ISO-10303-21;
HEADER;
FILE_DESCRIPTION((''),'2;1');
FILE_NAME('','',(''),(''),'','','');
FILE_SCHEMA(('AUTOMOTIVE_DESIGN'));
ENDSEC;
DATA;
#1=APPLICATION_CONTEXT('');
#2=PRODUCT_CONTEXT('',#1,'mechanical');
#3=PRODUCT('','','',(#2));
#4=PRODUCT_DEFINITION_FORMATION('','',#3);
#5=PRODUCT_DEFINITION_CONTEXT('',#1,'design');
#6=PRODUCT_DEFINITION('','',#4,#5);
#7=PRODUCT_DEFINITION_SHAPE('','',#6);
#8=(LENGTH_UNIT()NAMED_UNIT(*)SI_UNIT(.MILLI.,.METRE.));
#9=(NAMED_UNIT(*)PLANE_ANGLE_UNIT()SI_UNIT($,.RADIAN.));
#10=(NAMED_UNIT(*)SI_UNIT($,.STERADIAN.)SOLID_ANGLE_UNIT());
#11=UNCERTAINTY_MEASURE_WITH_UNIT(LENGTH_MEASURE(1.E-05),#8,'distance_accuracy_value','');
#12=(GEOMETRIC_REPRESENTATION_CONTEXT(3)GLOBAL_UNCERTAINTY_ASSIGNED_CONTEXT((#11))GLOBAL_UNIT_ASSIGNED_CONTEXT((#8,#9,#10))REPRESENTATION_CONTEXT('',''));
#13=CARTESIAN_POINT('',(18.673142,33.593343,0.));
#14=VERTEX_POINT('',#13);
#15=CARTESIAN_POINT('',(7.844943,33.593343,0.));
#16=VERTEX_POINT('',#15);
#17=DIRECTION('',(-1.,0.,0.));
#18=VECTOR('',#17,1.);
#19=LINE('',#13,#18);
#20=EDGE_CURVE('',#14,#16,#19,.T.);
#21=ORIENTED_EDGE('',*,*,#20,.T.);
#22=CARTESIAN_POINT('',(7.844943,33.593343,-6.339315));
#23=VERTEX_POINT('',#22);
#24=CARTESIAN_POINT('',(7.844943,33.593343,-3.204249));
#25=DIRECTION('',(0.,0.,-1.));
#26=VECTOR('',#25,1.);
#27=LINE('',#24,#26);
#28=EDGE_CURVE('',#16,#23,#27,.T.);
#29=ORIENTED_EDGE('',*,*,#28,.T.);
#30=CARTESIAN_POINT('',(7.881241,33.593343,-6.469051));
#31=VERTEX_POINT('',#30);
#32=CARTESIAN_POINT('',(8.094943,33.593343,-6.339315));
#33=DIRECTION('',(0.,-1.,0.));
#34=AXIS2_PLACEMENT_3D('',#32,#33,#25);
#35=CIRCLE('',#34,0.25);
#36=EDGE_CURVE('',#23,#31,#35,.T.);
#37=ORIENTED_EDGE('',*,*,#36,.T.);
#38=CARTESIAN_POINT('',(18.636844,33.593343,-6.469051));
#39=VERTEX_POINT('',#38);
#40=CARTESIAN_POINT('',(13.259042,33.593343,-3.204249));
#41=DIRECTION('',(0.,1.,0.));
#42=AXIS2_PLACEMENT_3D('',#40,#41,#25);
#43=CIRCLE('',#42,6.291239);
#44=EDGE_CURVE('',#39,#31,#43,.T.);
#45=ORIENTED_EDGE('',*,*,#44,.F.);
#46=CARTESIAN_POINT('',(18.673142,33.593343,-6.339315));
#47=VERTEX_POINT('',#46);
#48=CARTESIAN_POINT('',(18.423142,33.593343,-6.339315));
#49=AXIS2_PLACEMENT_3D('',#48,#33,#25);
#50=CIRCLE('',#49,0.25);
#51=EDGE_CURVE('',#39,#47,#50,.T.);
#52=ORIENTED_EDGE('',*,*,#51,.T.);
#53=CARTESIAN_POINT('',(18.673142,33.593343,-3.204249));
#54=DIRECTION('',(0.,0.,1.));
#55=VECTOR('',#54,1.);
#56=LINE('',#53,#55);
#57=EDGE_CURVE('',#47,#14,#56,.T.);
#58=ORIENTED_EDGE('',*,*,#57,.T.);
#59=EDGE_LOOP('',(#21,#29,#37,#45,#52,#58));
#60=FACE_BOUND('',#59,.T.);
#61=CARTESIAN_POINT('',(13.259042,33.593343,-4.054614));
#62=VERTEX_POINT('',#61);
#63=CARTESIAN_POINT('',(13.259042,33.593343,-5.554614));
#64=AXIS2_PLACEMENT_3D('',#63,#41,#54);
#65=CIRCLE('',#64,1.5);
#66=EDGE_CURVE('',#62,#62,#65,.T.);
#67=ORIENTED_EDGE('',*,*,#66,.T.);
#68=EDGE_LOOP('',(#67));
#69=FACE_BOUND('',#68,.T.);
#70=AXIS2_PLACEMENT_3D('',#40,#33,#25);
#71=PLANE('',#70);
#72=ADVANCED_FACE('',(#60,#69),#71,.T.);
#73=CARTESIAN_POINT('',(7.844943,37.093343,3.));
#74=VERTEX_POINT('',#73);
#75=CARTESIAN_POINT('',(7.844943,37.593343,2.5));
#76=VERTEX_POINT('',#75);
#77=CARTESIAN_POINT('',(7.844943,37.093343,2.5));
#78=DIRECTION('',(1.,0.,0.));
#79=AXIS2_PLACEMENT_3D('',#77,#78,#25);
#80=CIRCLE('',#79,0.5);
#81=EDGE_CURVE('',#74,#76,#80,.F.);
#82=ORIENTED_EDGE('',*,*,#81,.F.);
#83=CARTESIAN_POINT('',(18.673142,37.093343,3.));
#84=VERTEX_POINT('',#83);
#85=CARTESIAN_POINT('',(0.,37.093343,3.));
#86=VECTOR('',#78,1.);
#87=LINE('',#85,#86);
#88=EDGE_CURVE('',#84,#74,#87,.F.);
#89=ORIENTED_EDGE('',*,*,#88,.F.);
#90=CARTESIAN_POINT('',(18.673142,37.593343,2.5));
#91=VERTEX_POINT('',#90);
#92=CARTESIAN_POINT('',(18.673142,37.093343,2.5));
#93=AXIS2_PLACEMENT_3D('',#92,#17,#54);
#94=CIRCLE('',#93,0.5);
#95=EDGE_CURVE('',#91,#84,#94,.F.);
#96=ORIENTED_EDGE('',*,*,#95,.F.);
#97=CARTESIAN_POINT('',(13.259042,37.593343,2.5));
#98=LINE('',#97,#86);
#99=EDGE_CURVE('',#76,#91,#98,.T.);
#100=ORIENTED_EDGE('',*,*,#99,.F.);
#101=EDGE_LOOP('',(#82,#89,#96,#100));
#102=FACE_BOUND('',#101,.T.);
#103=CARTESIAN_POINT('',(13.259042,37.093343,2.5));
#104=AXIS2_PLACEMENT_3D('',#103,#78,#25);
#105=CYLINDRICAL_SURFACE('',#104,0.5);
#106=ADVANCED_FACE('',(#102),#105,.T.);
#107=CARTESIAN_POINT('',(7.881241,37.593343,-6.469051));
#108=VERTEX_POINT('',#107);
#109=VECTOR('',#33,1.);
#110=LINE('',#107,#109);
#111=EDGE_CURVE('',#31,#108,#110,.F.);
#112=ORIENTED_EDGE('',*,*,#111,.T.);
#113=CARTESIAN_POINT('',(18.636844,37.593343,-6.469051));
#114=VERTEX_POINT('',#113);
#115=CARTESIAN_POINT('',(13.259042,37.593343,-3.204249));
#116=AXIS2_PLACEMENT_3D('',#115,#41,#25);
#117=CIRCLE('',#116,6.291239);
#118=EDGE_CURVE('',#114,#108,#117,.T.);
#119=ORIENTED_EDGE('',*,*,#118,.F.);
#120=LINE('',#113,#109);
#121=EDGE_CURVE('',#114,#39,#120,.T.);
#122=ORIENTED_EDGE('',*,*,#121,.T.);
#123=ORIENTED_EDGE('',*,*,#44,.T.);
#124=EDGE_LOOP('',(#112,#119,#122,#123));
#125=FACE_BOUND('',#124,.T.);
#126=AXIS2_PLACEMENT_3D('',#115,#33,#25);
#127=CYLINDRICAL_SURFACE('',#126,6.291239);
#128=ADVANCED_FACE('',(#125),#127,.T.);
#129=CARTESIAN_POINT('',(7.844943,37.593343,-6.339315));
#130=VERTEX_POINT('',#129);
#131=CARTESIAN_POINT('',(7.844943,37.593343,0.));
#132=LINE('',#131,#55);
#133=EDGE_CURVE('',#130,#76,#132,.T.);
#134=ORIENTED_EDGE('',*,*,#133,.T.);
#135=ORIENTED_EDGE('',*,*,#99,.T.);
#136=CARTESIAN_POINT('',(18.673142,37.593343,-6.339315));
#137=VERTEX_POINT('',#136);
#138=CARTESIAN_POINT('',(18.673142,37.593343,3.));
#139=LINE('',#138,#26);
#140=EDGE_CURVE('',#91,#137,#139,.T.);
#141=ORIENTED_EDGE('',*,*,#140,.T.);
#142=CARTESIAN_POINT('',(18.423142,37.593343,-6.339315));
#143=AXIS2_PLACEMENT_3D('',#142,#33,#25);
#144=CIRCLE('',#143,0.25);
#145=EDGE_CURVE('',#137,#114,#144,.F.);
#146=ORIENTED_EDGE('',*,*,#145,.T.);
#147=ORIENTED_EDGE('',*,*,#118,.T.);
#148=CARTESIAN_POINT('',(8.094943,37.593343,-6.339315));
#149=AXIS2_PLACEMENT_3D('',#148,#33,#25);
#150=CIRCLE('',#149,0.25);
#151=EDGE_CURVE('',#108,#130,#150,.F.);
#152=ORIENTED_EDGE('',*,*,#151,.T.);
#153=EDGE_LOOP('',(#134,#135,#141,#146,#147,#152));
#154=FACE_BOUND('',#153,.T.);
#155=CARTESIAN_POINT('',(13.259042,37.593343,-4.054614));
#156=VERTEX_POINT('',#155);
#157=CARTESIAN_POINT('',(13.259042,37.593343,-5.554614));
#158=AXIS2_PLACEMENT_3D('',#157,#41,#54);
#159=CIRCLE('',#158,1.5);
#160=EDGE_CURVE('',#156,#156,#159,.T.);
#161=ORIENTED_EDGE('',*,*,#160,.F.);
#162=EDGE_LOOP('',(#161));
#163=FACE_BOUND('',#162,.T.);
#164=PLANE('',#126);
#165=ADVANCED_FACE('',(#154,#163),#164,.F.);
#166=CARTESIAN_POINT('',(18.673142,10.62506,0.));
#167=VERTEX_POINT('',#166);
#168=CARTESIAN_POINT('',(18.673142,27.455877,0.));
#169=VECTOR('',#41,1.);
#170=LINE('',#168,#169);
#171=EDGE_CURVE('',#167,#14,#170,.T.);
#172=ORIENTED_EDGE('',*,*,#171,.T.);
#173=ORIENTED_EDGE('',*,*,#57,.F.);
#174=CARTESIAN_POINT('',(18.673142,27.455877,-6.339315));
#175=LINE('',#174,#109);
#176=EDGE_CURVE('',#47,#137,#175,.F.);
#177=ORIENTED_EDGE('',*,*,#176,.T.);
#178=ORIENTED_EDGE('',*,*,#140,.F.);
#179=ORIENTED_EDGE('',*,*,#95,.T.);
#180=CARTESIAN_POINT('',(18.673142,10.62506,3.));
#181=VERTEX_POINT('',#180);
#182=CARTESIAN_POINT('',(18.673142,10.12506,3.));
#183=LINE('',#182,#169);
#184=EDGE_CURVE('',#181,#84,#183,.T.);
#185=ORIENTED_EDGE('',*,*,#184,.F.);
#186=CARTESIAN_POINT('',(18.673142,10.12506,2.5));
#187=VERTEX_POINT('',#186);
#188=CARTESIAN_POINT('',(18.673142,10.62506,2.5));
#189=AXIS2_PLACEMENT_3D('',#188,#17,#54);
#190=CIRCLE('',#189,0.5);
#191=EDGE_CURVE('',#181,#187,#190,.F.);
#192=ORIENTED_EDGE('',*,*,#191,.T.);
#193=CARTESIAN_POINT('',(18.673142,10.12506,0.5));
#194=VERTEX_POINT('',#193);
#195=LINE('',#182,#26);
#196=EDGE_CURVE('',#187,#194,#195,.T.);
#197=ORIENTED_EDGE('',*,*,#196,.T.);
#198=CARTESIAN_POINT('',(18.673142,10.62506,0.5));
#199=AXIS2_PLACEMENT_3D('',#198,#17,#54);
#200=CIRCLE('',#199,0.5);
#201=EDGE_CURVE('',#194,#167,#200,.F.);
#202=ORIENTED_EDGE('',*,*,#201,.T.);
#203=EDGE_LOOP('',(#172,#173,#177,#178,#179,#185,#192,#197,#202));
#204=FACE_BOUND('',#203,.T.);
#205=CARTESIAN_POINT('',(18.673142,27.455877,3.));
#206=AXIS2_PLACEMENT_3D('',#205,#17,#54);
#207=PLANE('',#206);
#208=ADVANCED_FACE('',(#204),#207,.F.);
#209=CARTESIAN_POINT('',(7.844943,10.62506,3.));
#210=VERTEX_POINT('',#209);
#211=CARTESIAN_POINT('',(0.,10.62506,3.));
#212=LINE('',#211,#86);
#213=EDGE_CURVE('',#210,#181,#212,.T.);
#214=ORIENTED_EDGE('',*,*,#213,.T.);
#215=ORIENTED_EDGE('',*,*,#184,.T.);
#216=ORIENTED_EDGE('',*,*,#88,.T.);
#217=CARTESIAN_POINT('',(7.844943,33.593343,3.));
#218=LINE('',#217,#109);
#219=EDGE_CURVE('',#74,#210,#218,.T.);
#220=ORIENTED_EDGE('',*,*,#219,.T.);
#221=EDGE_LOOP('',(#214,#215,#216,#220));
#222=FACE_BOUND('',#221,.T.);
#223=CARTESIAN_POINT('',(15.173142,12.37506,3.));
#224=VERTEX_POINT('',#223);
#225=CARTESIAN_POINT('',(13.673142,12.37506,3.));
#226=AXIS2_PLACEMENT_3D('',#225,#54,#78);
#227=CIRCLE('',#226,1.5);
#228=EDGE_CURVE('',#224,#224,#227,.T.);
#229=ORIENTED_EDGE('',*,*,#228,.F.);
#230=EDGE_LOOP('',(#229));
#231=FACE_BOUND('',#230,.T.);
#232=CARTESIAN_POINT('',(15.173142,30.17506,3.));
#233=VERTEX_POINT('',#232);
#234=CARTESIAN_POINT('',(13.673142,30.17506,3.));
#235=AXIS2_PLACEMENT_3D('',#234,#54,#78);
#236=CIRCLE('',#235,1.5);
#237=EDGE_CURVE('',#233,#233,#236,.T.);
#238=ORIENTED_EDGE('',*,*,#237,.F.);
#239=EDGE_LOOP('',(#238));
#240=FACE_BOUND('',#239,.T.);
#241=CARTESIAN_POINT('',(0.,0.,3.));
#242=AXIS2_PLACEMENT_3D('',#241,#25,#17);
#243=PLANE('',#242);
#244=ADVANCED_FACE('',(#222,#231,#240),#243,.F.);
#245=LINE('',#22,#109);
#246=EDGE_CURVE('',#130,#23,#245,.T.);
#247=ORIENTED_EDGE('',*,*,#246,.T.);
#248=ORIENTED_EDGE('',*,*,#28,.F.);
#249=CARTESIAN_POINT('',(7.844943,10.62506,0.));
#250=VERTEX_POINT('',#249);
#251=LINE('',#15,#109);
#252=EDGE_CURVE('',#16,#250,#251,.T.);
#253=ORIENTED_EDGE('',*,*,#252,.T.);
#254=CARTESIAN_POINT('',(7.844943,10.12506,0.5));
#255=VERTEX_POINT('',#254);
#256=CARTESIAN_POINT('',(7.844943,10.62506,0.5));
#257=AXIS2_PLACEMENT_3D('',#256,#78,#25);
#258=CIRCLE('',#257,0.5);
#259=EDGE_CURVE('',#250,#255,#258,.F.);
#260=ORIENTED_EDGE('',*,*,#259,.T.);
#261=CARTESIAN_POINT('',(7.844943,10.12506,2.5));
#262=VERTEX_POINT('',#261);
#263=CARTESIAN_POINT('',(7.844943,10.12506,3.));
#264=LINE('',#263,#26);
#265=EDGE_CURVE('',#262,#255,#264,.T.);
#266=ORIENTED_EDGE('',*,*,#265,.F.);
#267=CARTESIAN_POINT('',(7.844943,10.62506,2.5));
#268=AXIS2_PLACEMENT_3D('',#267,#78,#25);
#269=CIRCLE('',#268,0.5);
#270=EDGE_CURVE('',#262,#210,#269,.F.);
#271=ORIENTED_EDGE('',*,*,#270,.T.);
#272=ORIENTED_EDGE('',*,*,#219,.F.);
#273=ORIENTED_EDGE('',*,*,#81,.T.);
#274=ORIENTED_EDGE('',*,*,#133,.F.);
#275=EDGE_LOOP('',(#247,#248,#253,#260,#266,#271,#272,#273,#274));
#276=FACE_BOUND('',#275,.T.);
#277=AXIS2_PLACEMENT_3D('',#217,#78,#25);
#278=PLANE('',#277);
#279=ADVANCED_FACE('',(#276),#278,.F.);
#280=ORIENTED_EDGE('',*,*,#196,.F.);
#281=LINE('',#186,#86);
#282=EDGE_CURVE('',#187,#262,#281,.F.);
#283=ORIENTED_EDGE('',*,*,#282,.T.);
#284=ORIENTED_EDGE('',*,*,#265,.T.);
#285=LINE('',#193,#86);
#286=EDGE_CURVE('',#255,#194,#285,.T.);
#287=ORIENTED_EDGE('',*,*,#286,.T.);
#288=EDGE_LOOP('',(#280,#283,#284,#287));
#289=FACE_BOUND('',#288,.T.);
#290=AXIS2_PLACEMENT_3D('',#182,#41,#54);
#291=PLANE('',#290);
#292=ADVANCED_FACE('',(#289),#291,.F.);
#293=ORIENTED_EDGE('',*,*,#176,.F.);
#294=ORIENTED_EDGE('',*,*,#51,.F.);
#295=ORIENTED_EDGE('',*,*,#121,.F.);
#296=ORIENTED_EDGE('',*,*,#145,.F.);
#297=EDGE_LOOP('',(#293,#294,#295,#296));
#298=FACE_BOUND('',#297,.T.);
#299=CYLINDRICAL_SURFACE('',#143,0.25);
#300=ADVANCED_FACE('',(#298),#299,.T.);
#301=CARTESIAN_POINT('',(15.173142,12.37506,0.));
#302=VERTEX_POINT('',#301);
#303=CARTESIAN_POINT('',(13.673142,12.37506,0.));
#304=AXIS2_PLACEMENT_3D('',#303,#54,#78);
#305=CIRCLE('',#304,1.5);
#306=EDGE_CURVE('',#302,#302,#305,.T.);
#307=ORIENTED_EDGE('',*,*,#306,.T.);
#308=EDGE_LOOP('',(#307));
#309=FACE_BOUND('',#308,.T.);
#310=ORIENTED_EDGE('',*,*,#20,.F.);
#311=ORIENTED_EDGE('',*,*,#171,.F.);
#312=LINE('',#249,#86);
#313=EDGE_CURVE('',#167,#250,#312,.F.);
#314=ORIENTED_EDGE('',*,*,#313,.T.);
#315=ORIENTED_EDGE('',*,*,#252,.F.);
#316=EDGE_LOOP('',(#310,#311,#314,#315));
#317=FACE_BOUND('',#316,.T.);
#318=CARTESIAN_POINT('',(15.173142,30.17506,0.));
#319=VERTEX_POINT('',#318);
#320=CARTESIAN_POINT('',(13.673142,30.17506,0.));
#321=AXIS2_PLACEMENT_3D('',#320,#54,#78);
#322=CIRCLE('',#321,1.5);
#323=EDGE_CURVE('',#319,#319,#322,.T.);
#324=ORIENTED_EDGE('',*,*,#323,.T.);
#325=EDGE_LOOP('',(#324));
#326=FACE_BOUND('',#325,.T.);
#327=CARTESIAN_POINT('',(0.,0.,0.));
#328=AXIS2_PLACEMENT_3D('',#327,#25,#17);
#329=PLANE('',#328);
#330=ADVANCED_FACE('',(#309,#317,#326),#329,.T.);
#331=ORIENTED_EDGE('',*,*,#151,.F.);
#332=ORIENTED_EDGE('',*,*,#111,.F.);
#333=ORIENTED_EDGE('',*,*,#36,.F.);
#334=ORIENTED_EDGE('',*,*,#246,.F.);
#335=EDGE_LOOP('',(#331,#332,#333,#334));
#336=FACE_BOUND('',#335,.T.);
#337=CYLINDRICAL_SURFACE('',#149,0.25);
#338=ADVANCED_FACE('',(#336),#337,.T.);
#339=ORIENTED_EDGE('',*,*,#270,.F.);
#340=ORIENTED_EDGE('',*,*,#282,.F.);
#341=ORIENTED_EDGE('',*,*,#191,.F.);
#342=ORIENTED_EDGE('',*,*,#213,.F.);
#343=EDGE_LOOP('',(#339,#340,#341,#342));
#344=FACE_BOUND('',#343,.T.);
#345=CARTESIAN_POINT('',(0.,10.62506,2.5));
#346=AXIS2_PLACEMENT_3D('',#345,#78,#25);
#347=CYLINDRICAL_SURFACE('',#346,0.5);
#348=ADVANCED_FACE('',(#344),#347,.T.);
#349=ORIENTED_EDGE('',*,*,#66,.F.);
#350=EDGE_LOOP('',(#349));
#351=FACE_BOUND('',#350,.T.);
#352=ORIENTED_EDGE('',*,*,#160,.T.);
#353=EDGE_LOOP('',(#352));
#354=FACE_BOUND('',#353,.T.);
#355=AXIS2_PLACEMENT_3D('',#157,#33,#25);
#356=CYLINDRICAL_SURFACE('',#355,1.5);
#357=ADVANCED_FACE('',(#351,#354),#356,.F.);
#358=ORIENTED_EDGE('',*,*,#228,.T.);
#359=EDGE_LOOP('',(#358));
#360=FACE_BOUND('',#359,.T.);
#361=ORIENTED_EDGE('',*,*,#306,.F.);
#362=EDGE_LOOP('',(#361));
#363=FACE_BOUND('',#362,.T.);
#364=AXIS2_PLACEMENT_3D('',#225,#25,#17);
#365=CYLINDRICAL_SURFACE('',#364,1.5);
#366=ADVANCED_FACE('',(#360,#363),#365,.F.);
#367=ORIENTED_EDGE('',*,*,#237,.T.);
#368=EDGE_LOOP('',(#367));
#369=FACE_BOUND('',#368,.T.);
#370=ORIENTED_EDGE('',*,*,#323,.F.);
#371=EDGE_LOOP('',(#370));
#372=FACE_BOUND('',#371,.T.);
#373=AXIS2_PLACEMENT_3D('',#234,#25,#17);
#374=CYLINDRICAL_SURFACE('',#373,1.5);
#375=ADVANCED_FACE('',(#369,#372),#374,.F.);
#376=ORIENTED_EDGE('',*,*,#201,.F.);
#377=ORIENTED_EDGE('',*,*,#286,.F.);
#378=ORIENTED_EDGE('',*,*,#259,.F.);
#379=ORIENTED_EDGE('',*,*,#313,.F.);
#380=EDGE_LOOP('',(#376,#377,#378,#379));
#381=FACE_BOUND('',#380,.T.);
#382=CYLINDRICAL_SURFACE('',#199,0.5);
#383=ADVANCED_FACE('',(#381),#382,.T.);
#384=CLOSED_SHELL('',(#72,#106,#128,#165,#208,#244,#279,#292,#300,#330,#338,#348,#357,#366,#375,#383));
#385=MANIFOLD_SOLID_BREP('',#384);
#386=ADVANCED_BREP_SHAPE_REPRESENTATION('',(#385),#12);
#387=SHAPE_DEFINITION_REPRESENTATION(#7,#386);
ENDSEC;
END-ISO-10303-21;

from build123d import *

# Parameters (mm, degrees)
ESBO_O2_R                = 1.5
RESSALTO_EXTRUS_O1_DEPTH = 3
ESBO_O3_R                = 1.5
RESSALTO_EXTRUS_O2_DEPTH = 4
CORTE_EXTRUS_O1_DEPTH    = 800
FILETE3_R                = 0.5
FILETE4_R                = 0.25
FILETE5_R                = 0.25
FILETE6_R                = 0.5


with BuildPart() as part:
    # Esboço2 → Ressalto-extrusão1 (new body)
    with BuildSketch(Plane.XY):
        Polygon((18.673142098, 27.45587681), (18.673142098, 15.094242614), (18.673142098, 10.125059712), (7.844942761, 10.125059712), (7.844942761, 33.593343284), (18.673142098, 33.593343284), align=None)
        with Locations((13.673142098, 30.175059712)):
            Circle(ESBO_O2_R, mode=Mode.SUBTRACT)
        with Locations((13.673142098, 12.375059712)):
            Circle(ESBO_O2_R, mode=Mode.SUBTRACT)
    extrude(amount=RESSALTO_EXTRUS_O1_DEPTH)

    # Esboço3 → Ressalto-extrusão2 (add)
    with BuildSketch(Plane(origin=(0, 33.593343284, 0), x_dir=(1, 0, 0), z_dir=(0, 1, 0))):
        with BuildLine():
            Line((7.844942761, 0), (7.844942761, -3))
            Line((7.844942761, -3), (18.673142098, -3))
            Line((18.673142098, -3), (18.673142098, 0))
            ThreePointArc((18.673142098, 0), (13.25904243, 9.495487225), (7.844942761, 0))
        make_face()
        with Locations((13.25904243, 5.554613856)):
            Circle(ESBO_O3_R, mode=Mode.SUBTRACT)
    extrude(amount=RESSALTO_EXTRUS_O2_DEPTH)

    # Esboço4 → Corte-extrusão1 (cut)
    with BuildSketch(Plane(origin=(0, 0, 0), x_dir=(1, 0, 0), z_dir=(0, 1, 0))):
        with BuildLine():
            Line((7.844942761, 0), (7.844942761, 6.408497108))
            ThreePointArc((7.844942761, 6.408497108), (6.967803758, 3.204248554), (7.844942761, 0))
        make_face()
        with BuildLine():
            Line((18.673142098, 0), (18.673142098, 6.408497108))
            ThreePointArc((18.673142098, 6.408497108), (19.550281101, 3.204248554), (18.673142098, 0))
        make_face()
    extrude(amount=CORTE_EXTRUS_O1_DEPTH, mode=Mode.SUBTRACT)

    # Filete3
    filete3_edges = [part.edges().sort_by_distance(p)[0] for p in [
        (13.25904243, 37.593343284, 3),
    ]]
    fillet(filete3_edges, radius=FILETE3_R)

    # Filete4
    filete4_edges = [part.edges().sort_by_distance(p)[0] for p in [
        (18.673142098, 35.593343284, -6.408497108),
    ]]
    fillet(filete4_edges, radius=FILETE4_R)

    # Filete5
    filete5_edges = [part.edges().sort_by_distance(p)[0] for p in [
        (7.844942761, 35.593343284, -6.408497108),
    ]]
    fillet(filete5_edges, radius=FILETE5_R)

    # Filete6
    filete6_edges = [part.edges().sort_by_distance(p)[0] for p in [
        (13.25904243, 10.125059712, 3),
        (13.25904243, 10.125059712, 0),
    ]]
    fillet(filete6_edges, radius=FILETE6_R)


solid = part.part
